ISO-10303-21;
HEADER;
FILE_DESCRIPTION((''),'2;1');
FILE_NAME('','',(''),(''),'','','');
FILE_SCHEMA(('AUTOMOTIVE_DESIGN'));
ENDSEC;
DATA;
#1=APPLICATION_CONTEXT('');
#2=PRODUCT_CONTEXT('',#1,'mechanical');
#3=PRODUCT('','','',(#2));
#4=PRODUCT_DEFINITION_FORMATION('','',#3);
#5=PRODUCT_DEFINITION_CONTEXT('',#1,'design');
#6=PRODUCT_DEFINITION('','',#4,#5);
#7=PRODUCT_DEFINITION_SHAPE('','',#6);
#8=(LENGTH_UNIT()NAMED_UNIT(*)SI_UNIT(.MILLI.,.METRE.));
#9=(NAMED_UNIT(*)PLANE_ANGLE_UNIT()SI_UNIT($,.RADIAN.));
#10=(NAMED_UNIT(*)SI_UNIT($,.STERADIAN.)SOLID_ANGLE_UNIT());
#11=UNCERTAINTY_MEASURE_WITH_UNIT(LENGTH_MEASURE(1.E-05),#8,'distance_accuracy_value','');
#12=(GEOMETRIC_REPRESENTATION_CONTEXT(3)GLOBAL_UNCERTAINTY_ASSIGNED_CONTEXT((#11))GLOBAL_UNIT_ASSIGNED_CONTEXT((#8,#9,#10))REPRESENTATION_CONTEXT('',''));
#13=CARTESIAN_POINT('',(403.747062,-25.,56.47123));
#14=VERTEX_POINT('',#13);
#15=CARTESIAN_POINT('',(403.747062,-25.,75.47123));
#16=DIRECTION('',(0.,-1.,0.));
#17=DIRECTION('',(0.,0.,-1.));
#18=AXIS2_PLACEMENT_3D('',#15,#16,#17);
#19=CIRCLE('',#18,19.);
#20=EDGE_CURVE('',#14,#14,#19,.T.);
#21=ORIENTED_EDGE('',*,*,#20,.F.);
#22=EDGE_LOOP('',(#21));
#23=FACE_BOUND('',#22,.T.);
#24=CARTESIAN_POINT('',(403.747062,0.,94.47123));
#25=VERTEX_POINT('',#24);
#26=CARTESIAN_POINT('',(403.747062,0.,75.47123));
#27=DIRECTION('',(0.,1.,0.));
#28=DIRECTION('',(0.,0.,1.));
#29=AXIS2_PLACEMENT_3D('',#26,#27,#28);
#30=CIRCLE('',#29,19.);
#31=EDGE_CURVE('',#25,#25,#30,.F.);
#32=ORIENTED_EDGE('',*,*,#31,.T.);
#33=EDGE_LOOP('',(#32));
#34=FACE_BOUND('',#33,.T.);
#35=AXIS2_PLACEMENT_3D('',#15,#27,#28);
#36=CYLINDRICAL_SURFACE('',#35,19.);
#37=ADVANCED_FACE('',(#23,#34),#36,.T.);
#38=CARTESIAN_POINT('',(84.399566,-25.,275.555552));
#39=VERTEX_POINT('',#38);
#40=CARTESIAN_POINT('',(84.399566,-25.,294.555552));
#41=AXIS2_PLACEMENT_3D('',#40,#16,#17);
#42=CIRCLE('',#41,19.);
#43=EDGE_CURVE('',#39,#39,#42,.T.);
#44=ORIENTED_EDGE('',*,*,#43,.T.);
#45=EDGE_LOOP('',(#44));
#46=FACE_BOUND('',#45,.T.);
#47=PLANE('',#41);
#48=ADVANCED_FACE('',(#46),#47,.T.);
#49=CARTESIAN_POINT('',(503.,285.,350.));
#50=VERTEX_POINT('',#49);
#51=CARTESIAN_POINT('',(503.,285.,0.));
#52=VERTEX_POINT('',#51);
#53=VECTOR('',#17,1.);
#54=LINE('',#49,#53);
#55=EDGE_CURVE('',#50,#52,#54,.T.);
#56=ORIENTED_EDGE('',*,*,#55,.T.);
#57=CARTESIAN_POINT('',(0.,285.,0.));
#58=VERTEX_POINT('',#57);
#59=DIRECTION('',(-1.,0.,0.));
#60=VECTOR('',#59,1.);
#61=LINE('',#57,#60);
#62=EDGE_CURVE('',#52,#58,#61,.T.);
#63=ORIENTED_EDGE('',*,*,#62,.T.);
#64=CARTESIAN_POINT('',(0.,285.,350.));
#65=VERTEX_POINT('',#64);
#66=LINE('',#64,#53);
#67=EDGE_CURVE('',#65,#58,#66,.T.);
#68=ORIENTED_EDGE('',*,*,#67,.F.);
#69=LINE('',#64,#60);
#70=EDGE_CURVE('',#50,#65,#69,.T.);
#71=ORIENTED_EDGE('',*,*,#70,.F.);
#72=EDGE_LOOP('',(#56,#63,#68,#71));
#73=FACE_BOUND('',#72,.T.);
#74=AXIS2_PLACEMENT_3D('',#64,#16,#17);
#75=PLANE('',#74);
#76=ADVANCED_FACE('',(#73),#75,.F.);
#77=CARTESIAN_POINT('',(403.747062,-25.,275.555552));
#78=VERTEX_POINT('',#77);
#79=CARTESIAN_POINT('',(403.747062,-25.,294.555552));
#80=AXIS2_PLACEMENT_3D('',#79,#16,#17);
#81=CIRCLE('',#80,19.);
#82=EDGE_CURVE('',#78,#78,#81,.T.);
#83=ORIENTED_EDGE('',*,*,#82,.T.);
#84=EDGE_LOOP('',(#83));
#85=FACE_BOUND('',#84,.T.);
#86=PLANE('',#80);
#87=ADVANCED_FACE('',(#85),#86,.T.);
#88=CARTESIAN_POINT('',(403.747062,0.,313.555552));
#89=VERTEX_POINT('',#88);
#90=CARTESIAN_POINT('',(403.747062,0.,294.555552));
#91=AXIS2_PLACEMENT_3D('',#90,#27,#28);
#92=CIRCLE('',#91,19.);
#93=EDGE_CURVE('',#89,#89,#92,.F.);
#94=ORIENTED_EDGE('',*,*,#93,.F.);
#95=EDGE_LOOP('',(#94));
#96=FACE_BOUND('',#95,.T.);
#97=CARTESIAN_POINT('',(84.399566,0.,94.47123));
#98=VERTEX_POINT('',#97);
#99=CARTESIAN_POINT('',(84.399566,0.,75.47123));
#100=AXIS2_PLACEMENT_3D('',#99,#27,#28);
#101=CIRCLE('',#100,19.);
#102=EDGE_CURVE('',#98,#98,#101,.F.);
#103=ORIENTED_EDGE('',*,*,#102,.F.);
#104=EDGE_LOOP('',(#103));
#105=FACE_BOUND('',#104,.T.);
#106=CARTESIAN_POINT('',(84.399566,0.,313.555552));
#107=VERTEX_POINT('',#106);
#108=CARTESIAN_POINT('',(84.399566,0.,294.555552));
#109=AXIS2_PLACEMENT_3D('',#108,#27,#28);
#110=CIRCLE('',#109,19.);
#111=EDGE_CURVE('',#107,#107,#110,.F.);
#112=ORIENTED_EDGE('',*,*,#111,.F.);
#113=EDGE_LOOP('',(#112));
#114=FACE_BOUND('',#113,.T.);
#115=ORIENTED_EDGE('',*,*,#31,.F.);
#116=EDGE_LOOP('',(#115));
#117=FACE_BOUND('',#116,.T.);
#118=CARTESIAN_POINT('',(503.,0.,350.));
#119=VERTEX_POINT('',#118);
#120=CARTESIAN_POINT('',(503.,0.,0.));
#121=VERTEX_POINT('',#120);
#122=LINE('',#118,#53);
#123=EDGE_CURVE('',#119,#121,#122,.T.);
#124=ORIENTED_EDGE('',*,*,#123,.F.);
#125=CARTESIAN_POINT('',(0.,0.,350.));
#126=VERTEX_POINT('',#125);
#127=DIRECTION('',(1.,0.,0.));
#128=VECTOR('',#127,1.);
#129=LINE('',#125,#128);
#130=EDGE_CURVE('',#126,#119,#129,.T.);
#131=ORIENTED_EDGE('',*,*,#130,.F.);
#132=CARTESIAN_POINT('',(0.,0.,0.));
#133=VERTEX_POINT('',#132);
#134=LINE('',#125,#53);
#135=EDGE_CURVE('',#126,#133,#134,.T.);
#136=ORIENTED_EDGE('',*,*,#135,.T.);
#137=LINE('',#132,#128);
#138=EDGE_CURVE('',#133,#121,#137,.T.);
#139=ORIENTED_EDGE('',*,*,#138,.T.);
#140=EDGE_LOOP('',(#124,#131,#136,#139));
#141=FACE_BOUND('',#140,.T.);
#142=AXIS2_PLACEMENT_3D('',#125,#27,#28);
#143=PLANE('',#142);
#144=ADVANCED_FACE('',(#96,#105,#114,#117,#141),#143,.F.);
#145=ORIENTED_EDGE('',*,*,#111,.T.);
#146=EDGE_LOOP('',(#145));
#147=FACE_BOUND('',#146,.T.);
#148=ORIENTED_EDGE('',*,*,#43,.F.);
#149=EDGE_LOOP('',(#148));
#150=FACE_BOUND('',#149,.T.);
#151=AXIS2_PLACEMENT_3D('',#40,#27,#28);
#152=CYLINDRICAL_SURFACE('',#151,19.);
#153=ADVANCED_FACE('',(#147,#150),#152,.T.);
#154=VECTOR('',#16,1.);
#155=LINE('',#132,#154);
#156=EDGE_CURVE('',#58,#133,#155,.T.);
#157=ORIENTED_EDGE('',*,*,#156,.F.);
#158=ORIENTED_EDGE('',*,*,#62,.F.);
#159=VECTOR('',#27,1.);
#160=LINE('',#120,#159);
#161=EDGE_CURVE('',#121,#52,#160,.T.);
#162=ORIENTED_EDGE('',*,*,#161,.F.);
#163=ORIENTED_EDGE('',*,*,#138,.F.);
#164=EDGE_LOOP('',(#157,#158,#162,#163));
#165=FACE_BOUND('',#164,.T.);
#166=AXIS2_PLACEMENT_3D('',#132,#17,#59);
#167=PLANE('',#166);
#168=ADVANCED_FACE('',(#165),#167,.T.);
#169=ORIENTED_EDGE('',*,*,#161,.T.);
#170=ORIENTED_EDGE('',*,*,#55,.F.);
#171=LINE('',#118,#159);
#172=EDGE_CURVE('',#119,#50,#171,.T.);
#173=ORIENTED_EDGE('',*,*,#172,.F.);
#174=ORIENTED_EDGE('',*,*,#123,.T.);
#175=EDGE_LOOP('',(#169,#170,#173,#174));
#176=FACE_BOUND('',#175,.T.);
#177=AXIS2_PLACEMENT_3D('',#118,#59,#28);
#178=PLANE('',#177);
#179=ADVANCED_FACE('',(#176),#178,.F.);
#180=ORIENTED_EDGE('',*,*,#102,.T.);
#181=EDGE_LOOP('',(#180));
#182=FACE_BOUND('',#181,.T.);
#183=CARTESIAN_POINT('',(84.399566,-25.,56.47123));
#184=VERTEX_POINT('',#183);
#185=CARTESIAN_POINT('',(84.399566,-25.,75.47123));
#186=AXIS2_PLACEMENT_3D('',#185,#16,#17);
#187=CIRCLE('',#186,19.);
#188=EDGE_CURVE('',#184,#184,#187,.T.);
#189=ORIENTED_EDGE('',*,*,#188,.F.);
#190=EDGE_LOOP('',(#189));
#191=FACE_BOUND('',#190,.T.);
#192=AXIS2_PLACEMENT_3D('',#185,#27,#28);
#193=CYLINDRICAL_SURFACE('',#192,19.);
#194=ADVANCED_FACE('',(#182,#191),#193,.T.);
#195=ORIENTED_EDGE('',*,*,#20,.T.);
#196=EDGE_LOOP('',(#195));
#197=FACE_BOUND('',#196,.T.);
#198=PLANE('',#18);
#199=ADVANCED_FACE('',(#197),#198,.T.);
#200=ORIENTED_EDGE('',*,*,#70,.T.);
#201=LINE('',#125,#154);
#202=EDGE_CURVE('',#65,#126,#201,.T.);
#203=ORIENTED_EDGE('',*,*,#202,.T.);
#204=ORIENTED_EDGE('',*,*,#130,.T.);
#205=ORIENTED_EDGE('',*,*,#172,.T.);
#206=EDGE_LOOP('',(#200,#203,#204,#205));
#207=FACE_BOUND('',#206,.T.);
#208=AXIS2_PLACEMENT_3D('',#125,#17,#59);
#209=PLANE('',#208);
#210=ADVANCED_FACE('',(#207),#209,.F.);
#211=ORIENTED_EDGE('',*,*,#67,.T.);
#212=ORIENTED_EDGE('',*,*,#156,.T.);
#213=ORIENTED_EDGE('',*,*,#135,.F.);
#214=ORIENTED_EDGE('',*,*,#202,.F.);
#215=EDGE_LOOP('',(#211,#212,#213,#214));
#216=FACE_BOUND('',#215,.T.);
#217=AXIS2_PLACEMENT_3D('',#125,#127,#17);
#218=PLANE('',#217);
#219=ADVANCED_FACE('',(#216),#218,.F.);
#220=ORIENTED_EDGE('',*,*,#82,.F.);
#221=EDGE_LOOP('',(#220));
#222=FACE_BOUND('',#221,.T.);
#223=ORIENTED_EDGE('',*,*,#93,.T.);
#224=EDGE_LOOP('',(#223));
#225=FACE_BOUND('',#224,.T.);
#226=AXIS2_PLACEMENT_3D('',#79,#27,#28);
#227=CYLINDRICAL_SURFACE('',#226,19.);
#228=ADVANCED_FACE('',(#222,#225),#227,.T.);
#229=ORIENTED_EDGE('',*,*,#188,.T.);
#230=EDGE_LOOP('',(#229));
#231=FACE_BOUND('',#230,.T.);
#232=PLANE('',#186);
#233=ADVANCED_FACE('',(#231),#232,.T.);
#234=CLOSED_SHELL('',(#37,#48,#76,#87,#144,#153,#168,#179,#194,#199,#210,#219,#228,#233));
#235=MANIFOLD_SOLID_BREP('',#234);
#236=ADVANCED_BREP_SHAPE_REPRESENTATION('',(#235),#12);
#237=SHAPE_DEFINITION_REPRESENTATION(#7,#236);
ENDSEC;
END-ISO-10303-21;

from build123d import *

# Parameters (mm, degrees)
SKIZZE1_W                       = 503
SKIZZE1_H                       = 285
AUFSATZ_LINEAR_AUSTRAGEN1_DEPTH = 350
SKIZZE2_R                       = 19
AUFSATZ_LINEAR_AUSTRAGEN2_DEPTH = 25


with BuildPart() as part:
    # Skizze1 → Aufsatz-Linear austragen1 (new body)
    with BuildSketch(Plane.XY):
        with Locations((251.5, 142.5)):
            Rectangle(SKIZZE1_W, SKIZZE1_H)
    extrude(amount=AUFSATZ_LINEAR_AUSTRAGEN1_DEPTH)

    # Skizze2 → Aufsatz-Linear austragen2 (add)
    with BuildSketch(Plane.XZ):
        with Locations(Location((84.399565915, 294.555551984, 0), (0, 0, 90))):
            Circle(SKIZZE2_R)
        with Locations(Location((403.747062166, 294.555551984, 0), (0, 0, 90))):
            Circle(SKIZZE2_R)
        with Locations(Location((403.747062166, 75.47123017, 0), (0, 0, 90))):
            Circle(SKIZZE2_R)
        with Locations(Location((84.399565915, 75.47123017, 0), (0, 0, 90))):
            Circle(SKIZZE2_R)
    extrude(amount=AUFSATZ_LINEAR_AUSTRAGEN2_DEPTH)


solid = part.part
